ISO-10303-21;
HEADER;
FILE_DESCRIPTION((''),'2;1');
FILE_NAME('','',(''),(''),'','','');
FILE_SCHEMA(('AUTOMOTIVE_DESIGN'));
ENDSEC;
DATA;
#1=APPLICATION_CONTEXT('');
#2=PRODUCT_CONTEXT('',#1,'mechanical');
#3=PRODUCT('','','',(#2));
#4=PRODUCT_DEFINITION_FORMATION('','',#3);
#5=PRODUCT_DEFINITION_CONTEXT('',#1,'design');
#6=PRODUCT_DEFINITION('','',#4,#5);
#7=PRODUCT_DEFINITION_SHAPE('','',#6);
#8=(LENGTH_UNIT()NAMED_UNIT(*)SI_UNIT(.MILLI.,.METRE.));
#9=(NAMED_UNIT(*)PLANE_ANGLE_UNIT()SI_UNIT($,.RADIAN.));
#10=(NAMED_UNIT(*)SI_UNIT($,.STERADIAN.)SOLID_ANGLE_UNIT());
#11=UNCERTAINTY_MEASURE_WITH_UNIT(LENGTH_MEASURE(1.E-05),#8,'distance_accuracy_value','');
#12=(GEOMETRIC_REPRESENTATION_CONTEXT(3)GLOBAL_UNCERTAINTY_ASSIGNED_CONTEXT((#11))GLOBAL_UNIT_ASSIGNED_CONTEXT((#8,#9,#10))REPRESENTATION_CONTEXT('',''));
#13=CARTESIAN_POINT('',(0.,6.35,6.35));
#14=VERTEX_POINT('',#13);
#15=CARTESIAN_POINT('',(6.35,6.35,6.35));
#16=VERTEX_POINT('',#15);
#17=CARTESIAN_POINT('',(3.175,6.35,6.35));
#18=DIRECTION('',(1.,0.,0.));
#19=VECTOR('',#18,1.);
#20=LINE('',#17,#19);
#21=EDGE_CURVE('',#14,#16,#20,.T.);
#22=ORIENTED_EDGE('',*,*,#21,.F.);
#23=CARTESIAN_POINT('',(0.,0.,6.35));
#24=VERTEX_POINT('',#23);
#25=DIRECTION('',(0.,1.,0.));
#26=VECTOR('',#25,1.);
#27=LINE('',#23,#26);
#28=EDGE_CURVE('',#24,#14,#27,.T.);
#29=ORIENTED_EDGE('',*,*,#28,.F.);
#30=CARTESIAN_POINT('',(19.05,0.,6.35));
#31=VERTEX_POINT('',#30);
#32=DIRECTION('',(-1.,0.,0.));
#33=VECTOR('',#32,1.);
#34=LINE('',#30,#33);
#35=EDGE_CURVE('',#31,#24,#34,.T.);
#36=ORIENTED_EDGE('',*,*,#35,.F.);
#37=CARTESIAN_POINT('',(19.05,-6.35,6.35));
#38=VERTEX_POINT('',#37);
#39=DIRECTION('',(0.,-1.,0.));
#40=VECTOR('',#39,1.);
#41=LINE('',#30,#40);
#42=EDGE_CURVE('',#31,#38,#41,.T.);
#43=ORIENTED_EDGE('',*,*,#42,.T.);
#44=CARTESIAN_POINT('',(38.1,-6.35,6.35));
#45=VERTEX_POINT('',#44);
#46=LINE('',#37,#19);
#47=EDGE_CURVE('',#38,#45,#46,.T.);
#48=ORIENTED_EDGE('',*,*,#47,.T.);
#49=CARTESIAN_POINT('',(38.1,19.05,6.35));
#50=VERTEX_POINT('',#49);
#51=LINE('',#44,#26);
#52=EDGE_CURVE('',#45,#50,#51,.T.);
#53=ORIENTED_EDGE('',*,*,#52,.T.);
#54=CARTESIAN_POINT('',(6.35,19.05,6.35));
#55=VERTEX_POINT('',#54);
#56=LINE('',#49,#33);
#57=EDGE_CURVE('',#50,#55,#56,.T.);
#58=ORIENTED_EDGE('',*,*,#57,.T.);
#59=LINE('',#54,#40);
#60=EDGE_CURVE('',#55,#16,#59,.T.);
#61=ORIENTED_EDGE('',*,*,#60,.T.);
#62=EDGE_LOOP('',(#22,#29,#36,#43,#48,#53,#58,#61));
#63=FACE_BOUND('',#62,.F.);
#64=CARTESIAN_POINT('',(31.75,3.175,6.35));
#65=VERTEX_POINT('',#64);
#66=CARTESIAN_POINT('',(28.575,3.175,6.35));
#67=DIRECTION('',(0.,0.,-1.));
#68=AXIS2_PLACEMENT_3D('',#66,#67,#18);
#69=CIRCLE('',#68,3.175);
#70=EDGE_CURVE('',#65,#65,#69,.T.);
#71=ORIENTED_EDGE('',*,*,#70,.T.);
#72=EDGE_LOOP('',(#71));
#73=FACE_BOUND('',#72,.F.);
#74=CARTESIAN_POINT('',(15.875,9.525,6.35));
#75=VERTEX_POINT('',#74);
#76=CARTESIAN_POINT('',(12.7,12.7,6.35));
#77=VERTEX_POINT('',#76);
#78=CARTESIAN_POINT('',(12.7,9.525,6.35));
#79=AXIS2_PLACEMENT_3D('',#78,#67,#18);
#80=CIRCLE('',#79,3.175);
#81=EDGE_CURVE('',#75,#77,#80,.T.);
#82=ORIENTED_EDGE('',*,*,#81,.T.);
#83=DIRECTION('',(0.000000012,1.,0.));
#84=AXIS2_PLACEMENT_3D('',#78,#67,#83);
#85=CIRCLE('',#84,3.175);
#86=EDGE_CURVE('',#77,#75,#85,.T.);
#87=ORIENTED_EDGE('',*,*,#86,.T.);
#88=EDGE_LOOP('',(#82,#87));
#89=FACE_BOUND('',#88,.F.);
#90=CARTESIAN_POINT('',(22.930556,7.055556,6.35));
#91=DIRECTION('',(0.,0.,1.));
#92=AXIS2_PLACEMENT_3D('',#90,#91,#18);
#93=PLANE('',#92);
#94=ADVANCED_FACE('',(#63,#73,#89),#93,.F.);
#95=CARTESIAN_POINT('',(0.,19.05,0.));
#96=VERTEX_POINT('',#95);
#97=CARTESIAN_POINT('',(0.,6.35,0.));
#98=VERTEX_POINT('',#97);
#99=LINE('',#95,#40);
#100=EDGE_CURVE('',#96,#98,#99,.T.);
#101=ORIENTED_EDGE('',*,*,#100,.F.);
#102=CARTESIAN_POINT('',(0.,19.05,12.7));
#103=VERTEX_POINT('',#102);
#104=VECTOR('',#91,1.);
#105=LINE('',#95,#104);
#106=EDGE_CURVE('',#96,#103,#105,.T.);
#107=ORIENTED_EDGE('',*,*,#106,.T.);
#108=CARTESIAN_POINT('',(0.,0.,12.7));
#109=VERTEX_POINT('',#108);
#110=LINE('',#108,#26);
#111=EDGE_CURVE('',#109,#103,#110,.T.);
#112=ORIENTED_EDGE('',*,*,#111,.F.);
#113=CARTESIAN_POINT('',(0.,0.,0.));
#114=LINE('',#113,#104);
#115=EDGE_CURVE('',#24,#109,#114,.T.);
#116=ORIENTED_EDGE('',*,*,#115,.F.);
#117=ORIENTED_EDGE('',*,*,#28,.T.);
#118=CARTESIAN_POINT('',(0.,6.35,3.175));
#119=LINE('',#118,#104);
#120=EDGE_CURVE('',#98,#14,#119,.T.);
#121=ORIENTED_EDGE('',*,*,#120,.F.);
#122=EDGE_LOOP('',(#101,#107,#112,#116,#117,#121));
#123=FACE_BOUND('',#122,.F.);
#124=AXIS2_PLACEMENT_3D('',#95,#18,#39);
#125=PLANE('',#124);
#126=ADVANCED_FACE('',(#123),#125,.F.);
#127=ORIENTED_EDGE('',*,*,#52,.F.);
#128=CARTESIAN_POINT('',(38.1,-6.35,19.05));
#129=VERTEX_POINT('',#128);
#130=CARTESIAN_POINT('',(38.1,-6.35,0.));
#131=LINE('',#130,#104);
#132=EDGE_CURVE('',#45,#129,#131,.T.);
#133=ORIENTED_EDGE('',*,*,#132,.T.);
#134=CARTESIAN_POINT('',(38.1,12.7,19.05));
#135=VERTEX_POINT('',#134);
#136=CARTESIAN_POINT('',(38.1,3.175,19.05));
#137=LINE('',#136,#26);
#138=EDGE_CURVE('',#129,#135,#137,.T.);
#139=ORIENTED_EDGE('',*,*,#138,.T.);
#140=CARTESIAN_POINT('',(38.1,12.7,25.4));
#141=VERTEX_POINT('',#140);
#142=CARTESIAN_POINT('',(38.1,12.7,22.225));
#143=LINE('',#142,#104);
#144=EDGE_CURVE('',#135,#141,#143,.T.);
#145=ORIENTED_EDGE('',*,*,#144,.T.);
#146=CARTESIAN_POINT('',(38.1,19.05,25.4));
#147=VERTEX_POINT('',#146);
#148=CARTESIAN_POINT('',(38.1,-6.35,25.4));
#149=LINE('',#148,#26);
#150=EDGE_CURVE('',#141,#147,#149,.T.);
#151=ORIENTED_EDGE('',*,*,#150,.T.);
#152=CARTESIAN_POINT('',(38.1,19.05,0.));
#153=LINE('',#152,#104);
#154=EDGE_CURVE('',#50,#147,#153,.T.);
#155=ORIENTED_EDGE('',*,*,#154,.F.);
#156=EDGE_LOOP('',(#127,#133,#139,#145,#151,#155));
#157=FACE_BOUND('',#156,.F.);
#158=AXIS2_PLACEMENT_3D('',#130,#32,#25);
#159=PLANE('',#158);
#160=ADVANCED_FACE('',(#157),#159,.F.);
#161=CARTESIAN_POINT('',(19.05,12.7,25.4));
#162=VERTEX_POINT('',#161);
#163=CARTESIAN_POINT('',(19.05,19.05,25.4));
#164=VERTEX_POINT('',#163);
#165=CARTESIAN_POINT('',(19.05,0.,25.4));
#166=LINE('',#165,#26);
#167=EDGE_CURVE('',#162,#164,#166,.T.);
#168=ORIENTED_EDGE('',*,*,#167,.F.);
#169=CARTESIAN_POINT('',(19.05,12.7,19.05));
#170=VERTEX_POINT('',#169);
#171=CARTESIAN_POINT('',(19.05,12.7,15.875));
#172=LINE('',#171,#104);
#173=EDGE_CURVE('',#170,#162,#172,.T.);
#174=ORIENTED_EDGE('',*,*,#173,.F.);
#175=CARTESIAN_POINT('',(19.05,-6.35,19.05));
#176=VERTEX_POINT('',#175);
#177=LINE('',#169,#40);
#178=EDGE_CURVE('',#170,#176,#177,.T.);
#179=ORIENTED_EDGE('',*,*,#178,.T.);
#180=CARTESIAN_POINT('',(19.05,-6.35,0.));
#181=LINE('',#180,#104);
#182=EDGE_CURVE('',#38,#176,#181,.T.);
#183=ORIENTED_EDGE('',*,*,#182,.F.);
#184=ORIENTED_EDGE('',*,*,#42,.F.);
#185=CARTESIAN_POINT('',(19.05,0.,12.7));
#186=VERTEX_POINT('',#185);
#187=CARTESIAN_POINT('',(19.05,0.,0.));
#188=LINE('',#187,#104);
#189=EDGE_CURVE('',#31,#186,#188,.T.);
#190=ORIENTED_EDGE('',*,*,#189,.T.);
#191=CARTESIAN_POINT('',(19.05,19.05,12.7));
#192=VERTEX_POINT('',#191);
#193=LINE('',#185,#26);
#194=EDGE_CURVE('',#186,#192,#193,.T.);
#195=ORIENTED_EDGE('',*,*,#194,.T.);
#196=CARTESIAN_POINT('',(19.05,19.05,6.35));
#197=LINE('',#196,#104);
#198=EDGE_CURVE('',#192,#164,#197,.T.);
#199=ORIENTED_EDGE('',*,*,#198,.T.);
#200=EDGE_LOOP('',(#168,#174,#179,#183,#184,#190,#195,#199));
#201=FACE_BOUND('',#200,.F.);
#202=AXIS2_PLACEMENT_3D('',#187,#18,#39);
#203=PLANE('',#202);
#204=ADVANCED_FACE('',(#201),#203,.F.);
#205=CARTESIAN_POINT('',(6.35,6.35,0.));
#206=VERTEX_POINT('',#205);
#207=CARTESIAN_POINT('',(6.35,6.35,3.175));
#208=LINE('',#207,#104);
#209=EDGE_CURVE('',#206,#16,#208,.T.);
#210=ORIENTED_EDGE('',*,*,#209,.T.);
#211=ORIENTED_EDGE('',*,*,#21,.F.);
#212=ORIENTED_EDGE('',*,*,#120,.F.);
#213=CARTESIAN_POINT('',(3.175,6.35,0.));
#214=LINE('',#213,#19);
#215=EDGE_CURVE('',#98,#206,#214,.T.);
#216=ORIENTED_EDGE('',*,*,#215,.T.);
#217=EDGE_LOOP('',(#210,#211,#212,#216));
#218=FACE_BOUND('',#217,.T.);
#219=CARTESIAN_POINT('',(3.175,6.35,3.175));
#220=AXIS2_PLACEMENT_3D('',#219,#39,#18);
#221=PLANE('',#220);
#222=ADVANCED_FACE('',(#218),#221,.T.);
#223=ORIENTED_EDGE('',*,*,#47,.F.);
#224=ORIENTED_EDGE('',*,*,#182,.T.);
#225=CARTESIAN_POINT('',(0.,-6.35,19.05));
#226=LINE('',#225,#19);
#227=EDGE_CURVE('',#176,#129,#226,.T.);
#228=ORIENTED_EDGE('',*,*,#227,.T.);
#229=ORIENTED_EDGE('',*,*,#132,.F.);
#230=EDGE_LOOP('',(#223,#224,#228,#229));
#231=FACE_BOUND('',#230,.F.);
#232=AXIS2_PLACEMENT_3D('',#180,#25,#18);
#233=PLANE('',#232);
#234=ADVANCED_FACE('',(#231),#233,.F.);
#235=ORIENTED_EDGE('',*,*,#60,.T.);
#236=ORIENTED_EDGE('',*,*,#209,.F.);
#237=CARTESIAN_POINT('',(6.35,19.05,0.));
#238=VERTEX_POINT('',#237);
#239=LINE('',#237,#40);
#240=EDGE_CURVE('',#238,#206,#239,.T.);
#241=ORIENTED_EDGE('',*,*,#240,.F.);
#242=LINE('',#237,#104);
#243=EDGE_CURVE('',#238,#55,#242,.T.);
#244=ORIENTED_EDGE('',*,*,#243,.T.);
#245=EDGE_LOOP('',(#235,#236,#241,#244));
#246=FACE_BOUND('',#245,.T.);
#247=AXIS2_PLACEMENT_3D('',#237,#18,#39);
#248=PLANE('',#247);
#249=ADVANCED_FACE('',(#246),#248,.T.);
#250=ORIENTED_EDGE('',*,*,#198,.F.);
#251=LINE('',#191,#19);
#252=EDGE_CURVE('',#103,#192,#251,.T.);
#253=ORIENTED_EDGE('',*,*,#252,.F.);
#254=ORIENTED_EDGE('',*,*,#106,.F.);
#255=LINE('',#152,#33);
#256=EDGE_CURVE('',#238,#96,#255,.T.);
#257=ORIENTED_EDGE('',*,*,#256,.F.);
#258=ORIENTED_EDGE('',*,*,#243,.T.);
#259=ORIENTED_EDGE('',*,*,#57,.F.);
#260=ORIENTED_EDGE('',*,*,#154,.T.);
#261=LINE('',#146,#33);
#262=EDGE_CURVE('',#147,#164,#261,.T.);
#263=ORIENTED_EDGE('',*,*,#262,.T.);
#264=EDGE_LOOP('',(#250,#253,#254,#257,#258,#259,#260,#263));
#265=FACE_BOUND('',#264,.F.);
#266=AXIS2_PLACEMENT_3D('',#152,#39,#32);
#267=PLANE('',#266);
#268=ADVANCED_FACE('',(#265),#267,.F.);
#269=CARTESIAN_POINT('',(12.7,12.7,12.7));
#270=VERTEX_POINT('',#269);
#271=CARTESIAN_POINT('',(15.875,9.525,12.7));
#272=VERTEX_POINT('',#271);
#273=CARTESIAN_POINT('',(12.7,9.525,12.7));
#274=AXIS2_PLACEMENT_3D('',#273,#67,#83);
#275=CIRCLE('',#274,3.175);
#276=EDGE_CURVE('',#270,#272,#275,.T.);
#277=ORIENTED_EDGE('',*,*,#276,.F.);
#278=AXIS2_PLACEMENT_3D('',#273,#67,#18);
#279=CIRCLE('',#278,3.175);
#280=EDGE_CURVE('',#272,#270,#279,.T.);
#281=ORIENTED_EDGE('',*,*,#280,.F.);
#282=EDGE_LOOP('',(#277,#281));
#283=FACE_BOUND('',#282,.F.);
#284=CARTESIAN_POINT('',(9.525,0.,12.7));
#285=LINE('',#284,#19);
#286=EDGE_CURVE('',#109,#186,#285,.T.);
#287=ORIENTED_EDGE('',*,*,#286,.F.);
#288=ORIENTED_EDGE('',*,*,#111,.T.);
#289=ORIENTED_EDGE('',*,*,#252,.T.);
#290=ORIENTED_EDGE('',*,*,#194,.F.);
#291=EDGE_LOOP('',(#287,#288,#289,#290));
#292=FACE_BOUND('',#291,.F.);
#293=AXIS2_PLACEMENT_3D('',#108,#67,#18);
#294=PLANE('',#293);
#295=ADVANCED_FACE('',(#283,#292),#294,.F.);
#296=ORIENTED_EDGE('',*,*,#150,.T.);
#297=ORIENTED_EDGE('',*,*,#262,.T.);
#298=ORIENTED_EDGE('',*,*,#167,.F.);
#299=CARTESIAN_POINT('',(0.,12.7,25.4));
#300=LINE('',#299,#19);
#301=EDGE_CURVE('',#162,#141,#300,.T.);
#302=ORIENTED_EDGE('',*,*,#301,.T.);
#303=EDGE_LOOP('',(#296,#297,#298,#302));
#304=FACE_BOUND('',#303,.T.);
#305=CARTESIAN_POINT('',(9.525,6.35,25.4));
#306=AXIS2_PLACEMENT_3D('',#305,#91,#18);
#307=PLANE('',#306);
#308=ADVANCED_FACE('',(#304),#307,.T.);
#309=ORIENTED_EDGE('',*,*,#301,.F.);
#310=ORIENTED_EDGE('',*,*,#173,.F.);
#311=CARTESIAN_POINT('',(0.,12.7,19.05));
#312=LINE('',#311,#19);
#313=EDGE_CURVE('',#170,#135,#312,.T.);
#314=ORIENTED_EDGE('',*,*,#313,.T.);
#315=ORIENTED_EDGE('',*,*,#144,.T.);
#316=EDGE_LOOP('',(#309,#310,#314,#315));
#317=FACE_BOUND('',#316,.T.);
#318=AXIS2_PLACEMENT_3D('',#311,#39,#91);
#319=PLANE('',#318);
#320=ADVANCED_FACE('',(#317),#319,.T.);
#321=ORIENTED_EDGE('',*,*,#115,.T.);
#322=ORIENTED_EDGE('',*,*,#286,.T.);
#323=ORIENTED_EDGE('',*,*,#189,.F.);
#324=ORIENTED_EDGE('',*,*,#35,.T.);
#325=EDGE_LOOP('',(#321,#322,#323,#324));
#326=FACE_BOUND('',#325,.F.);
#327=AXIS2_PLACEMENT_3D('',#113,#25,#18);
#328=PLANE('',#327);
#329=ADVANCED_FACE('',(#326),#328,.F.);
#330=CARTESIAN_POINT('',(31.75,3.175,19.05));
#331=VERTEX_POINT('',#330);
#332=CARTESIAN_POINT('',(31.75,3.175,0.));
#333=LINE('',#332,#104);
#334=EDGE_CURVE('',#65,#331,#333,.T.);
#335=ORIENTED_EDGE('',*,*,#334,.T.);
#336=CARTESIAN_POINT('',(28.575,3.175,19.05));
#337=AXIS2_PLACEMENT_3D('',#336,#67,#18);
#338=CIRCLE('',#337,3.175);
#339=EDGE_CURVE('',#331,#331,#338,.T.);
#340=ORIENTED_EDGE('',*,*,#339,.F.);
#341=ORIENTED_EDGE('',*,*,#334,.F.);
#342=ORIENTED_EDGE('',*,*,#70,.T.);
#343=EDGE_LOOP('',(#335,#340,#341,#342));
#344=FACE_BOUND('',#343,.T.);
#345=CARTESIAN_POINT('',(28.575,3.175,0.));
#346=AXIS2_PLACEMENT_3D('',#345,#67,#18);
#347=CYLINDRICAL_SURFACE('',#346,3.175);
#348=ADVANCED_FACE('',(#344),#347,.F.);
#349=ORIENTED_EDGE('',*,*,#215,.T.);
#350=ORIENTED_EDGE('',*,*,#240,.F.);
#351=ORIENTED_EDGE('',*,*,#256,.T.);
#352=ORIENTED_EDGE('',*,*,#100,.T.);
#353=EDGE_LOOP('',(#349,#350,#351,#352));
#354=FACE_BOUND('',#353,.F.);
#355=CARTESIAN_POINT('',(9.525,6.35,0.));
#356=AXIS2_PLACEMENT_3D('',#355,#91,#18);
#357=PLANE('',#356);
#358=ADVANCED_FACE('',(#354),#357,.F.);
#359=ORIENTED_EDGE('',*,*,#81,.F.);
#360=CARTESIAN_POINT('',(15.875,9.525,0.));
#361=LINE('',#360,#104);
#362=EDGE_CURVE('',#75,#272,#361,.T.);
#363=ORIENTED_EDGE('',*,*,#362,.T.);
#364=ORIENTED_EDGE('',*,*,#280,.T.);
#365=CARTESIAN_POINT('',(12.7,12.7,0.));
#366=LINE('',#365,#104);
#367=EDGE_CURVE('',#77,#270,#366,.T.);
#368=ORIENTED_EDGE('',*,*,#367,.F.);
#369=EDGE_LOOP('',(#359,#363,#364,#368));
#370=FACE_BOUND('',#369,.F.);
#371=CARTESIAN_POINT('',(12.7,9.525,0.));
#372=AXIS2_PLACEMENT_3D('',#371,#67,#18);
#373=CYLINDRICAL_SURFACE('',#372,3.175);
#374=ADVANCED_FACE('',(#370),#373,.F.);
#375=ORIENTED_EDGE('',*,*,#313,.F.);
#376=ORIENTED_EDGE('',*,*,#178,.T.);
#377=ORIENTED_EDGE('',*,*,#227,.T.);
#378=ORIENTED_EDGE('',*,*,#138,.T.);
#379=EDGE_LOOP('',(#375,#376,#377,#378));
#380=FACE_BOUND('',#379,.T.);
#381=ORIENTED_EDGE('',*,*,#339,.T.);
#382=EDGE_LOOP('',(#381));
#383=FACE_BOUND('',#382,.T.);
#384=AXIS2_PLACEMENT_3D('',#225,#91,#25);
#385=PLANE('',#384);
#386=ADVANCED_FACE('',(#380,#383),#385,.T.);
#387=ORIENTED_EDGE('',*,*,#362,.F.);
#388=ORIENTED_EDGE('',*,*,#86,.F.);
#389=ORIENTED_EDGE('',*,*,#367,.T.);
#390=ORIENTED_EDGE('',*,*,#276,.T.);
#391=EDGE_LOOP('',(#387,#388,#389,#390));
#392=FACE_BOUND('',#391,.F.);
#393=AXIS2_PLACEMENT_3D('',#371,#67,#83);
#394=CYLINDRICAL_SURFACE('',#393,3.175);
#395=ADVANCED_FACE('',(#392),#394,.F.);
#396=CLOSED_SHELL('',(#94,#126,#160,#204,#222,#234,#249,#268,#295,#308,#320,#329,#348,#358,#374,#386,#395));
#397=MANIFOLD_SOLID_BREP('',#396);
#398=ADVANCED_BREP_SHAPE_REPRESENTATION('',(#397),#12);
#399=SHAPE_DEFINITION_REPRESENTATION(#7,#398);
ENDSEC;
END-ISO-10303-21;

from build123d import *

# Parameters (mm, degrees)
F0_R     = 3.175
F0_W     = 19.05
F0_H     = 6.35
F1_DEPTH = 25.4
F3_DEPTH = 6.35
F4_W     = 6.35
F4_H     = 6.35
F5_DEPTH = 6.35
F6_W     = 19.05
F6_H     = 6.35
F7_DEPTH = 38.1
F8_W     = 19.05
F8_H     = 12.7
F9_DEPTH = 25.4


with BuildPart() as f1:
    # F0 (on Top) → F1 (new body)
    with BuildSketch(Plane.XY):
        Polygon((0, 12.7), (0, 0), (19.05, 0), (19.05, 12.7), (12.7000000394, 12.7), align=None)
        with BuildLine():
            ThreePointArc((15.875, 9.525), (10.4549359558, 7.2799359837), (12.7000000394, 12.7))
            ThreePointArc((12.7000000394, 12.7), (14.9450640442, 11.7700640163), (15.875, 9.525))
        make_face(mode=Mode.SUBTRACT)
        Polygon((19.05, 12.7), (19.05, 0), (19.05, -6.35), (38.1, -6.35), (38.1, 12.7), align=None)
        with Locations((28.575, 3.175)):
            Circle(F0_R, mode=Mode.SUBTRACT)
        Polygon((0, 19.05), (0, 12.7), (12.7000000394, 12.7), (19.05, 12.7), (19.05, 19.05), align=None)
        with Locations((28.575, 15.875)):
            Rectangle(F0_W, F0_H)
    extrude(amount=F1_DEPTH)

    # F2 (on Top) → F3 (cut)
    with BuildSketch(Plane.XY):
        Polygon((38.1, 19.05), (6.35, 19.05), (6.35, 0), (19.05, 0), (19.05, -6.35), (38.1, -6.35), align=None)
    extrude(amount=F3_DEPTH, mode=Mode.SUBTRACT)

    # F4 (on Front) → F5 (cut)
    with BuildSketch(Plane.XZ):
        with Locations((3.175, 3.175)):
            Rectangle(F4_W, F4_H)
    extrude(amount=-F5_DEPTH, mode=Mode.SUBTRACT)

    # F6 (on Right) → F7 (cut)
    with BuildSketch(Plane.YZ):
        with Locations((3.175, 22.225)):
            Rectangle(F6_W, F6_H)
    extrude(amount=F7_DEPTH, mode=Mode.SUBTRACT)

    # F8 (on Front) → F9 (cut)
    with BuildSketch(Plane.XZ):
        with Locations((9.525, 19.05)):
            Rectangle(F8_W, F8_H)
    extrude(amount=-F9_DEPTH, mode=Mode.SUBTRACT)


solid = f1.part
